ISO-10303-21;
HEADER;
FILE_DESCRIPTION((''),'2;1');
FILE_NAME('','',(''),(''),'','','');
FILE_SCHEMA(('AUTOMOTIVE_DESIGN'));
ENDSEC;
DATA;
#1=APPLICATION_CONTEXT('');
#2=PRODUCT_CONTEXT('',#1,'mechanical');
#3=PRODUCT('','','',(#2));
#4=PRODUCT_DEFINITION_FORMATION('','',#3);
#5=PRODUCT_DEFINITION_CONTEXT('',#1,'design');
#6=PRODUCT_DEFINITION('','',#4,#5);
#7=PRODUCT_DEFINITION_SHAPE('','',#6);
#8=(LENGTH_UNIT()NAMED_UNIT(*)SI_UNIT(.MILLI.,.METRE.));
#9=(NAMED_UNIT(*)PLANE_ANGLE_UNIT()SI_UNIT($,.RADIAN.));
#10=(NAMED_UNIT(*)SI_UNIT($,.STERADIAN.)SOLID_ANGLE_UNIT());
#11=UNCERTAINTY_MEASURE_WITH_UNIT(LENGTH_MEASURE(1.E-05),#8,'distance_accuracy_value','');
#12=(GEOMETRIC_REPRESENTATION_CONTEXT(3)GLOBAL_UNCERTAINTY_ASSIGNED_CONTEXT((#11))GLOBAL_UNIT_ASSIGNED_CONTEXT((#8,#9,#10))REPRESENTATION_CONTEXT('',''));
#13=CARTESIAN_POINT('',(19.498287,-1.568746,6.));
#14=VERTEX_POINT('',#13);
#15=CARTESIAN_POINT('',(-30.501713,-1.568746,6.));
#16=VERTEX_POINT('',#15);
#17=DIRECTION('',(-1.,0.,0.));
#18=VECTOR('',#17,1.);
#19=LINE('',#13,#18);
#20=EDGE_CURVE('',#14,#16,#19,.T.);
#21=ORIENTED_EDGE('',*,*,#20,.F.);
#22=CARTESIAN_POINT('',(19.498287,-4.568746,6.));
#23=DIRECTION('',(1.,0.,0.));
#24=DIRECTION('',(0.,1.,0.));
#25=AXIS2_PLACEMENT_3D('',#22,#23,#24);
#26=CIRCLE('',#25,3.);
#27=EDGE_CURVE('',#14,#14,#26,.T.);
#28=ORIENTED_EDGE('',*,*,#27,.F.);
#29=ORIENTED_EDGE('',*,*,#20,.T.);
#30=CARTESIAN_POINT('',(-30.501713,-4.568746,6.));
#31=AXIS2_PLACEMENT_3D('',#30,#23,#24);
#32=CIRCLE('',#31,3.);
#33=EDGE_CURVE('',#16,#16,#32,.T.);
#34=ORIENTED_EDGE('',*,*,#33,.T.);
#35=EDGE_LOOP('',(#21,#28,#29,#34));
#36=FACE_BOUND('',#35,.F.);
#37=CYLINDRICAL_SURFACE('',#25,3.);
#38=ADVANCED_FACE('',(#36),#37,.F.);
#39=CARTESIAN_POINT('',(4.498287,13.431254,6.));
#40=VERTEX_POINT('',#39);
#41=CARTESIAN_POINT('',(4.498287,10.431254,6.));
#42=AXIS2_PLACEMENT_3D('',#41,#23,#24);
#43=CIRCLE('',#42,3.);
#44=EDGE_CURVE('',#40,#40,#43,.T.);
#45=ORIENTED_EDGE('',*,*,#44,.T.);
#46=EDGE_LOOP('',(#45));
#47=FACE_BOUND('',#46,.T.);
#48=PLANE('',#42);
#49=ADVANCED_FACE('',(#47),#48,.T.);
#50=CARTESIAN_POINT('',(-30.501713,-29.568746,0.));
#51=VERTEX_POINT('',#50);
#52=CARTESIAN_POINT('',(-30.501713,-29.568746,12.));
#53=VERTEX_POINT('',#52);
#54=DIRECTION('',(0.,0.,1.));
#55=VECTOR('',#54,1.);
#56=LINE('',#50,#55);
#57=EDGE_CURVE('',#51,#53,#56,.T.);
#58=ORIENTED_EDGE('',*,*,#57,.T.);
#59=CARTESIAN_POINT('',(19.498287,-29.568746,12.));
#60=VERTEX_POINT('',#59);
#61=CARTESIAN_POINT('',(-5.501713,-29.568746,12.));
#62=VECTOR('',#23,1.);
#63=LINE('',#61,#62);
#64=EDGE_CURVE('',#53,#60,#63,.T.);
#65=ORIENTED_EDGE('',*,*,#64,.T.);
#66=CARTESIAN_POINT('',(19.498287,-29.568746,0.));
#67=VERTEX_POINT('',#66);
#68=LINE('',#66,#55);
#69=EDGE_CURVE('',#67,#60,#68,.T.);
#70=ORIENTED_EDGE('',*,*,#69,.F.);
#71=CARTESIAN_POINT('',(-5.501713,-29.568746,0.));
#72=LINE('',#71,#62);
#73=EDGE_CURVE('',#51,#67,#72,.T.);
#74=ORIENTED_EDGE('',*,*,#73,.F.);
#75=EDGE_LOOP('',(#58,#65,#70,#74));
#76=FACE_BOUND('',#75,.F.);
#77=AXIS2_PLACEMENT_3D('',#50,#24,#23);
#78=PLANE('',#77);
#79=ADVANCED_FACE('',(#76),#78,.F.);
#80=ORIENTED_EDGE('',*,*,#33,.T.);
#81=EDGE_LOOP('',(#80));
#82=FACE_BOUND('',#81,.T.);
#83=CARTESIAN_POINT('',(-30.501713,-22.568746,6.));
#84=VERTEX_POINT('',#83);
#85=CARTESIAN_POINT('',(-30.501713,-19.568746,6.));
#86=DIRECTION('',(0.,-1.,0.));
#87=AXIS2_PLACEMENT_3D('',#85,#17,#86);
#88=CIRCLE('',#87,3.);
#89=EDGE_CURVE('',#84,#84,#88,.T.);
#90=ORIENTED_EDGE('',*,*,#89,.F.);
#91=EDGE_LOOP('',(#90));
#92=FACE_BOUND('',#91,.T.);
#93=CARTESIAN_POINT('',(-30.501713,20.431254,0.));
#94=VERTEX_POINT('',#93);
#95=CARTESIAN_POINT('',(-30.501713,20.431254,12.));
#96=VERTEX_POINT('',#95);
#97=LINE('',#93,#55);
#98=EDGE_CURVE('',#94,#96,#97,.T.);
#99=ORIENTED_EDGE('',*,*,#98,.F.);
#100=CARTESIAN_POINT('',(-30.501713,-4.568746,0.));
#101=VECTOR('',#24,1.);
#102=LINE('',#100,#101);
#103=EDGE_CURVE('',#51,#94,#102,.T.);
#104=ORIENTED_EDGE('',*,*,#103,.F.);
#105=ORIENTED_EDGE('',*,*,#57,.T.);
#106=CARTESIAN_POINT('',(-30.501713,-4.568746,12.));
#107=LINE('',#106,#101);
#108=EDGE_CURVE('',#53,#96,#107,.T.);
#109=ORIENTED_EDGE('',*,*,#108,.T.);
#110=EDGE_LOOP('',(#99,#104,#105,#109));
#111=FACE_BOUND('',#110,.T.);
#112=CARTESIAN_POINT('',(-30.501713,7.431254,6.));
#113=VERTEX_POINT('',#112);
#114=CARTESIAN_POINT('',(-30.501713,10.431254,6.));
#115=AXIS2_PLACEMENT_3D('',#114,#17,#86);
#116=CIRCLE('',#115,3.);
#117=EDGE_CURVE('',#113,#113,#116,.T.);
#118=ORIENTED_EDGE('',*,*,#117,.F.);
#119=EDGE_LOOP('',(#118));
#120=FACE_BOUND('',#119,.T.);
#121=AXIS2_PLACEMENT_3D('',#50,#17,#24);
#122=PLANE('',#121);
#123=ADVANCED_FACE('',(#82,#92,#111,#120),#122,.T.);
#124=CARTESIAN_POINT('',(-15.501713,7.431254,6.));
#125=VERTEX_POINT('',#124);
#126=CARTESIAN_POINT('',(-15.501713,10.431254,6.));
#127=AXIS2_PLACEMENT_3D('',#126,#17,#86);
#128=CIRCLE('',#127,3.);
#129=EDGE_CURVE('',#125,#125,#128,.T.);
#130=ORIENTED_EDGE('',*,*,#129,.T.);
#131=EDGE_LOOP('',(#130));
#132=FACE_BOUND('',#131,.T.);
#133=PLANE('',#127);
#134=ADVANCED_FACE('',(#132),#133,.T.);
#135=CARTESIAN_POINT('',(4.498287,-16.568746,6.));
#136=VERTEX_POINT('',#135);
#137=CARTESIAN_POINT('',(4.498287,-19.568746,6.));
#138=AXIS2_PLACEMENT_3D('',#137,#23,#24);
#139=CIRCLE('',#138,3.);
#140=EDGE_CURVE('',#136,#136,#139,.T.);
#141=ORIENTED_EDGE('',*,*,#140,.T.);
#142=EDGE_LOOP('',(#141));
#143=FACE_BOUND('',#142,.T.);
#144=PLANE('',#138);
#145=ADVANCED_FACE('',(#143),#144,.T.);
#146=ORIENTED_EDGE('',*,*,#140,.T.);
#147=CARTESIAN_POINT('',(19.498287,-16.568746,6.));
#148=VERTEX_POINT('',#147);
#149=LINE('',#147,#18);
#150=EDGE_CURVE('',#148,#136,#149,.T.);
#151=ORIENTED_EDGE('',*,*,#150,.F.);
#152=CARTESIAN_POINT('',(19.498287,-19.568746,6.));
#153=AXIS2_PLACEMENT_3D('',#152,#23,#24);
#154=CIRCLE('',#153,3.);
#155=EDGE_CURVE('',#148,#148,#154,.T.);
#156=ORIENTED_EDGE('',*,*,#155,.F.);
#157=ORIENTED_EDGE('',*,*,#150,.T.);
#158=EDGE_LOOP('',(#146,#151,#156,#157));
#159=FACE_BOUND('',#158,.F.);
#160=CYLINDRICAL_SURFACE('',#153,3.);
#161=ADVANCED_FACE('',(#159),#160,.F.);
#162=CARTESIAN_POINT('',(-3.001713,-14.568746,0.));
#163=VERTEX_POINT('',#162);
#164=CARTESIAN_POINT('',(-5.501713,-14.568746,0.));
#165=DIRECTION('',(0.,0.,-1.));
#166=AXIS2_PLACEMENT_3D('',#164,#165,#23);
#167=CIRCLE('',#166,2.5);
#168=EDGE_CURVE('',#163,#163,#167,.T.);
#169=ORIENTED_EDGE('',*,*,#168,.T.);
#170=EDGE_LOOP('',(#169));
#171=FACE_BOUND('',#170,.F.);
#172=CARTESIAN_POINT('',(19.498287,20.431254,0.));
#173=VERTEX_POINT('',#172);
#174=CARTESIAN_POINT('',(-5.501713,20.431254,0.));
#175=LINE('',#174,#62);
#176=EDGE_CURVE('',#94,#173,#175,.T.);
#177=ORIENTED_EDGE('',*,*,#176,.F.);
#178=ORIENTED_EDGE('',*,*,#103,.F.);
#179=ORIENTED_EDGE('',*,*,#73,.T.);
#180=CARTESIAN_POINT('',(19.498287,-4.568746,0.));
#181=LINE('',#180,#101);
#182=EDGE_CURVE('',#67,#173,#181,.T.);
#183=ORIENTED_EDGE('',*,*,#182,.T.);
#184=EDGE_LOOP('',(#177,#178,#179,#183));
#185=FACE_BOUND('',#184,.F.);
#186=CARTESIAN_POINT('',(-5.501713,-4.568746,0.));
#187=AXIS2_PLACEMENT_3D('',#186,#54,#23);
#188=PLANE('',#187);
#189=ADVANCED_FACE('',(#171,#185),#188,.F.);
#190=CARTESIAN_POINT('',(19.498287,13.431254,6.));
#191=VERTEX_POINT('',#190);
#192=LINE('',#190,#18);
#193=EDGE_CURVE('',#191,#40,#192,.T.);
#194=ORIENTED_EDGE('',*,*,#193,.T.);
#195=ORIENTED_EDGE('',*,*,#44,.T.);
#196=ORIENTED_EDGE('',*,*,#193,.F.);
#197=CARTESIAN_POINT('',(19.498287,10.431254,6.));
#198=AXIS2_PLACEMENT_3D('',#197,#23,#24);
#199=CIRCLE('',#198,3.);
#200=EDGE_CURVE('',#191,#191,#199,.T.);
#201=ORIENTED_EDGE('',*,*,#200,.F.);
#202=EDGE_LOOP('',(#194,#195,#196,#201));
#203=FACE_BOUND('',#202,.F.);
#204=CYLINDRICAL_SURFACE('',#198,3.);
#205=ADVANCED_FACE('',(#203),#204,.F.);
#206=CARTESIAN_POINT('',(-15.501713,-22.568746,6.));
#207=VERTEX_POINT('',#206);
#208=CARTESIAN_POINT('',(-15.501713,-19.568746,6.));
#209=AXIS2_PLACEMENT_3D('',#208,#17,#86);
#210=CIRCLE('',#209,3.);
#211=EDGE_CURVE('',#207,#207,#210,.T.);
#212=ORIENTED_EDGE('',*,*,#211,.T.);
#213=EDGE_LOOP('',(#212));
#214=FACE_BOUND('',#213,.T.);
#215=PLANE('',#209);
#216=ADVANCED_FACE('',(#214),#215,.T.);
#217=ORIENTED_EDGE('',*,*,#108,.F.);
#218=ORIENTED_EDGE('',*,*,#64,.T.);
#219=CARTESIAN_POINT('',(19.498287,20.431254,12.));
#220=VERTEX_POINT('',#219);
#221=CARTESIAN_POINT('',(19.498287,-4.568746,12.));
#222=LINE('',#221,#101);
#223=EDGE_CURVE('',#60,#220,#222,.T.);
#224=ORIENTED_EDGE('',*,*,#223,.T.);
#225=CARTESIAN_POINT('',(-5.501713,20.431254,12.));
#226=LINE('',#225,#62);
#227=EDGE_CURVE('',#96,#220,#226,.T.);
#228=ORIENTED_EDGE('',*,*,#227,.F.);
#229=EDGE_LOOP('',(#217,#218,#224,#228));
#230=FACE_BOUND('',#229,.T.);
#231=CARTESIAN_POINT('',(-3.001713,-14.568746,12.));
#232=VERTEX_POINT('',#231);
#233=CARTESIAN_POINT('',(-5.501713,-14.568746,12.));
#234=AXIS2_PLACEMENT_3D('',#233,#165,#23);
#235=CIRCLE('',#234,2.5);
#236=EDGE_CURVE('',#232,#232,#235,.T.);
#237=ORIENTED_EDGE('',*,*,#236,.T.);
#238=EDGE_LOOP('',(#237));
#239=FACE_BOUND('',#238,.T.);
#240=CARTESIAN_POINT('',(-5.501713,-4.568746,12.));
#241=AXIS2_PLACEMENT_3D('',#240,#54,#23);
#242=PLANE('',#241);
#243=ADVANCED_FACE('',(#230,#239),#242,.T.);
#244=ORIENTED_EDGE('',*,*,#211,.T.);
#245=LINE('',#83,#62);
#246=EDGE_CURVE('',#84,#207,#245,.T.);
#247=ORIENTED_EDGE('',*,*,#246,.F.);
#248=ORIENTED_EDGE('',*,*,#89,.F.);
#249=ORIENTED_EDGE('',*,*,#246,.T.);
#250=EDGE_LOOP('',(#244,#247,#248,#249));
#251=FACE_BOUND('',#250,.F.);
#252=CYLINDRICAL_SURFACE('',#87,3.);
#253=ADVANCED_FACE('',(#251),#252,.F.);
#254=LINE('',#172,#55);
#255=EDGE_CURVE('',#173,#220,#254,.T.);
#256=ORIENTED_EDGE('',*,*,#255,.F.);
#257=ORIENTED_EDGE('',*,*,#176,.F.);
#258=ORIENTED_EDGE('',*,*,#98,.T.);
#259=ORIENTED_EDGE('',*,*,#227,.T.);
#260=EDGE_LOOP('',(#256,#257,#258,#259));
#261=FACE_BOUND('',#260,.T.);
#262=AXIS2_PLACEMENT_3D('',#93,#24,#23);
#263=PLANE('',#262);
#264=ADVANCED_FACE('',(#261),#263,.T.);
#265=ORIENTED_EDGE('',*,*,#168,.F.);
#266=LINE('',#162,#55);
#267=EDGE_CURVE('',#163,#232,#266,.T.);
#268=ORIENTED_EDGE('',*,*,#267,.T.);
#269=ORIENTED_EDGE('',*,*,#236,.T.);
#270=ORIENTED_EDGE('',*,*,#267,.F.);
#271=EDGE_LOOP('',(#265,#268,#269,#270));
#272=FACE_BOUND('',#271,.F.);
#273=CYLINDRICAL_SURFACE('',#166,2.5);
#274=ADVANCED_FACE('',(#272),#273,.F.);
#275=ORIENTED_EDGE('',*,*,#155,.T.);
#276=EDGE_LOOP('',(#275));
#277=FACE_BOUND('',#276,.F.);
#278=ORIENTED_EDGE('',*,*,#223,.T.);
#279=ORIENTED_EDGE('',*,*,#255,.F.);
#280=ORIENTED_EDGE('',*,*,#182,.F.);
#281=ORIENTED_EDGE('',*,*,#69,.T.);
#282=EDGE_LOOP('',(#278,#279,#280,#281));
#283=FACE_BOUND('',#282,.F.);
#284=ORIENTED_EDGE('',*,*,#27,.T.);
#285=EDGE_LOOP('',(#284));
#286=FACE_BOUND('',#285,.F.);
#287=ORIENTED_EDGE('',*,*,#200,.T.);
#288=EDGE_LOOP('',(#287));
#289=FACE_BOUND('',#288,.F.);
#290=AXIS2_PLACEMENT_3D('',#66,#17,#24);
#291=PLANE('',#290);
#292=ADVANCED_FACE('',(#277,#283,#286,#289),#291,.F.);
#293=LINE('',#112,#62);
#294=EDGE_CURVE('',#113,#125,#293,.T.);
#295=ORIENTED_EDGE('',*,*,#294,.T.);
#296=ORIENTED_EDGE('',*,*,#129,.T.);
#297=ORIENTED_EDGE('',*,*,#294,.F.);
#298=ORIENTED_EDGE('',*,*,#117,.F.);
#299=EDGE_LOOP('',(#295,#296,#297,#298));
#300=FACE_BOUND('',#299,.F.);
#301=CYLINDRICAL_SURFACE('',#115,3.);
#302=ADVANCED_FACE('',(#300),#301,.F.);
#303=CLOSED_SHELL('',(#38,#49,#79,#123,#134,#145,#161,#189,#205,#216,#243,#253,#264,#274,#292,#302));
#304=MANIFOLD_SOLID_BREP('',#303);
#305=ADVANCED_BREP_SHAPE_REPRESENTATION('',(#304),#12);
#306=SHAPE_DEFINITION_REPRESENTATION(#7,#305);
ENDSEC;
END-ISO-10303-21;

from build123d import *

# Parameters (mm, degrees)
F0_W     = 50
F0_H     = 50
F1_DEPTH = 12
F2_R     = 3
F3_DEPTH = 15
F4_R     = 3
F5_DEPTH = 15
F6_R     = 3
F7_DEPTH = 50.001
F8_R     = 2.5
F9_DEPTH = 12.001


with BuildPart() as f1:
    # F0 (on Top) → F1 (new body)
    with BuildSketch(Plane.XY):
        with Locations((-5.501713, -4.568746)):
            Rectangle(F0_W, F0_H)
    extrude(amount=F1_DEPTH)

    # F2 (on face) → F3 (cut)
    with BuildSketch(Plane(origin=(-30.501713, 0, 0), x_dir=(0, -1, 0), z_dir=(-1, 0, 0))):
        with Locations((-10.431254, 6)):
            Circle(F2_R)
        with Locations((19.568746, 6)):
            Circle(F2_R)
    extrude(amount=-F3_DEPTH, mode=Mode.SUBTRACT)

    # F4 (on face) → F5 (cut)
    with BuildSketch(Plane.YZ.offset(19.498287)):
        with Locations((10.431254, 6)):
            Circle(F4_R)
        with Locations((-19.568746, 6)):
            Circle(F4_R)
    extrude(amount=-F5_DEPTH, mode=Mode.SUBTRACT)

    # F6 (on face) → F7 (cut, through all)
    with BuildSketch(Plane.YZ.offset(19.498287)):
        with Locations((-4.568746, 6)):
            Circle(F6_R)
    extrude(amount=-F7_DEPTH, mode=Mode.SUBTRACT)

    # F8 (on face) → F9 (cut, through all)
    with BuildSketch(Plane(origin=(0, 0, 0), x_dir=(1, 0, 0), z_dir=(0, 0, -1))):
        with Locations((-5.501713, 14.568746)):
            Circle(F8_R)
    extrude(amount=-F9_DEPTH, mode=Mode.SUBTRACT)


solid = f1.part
